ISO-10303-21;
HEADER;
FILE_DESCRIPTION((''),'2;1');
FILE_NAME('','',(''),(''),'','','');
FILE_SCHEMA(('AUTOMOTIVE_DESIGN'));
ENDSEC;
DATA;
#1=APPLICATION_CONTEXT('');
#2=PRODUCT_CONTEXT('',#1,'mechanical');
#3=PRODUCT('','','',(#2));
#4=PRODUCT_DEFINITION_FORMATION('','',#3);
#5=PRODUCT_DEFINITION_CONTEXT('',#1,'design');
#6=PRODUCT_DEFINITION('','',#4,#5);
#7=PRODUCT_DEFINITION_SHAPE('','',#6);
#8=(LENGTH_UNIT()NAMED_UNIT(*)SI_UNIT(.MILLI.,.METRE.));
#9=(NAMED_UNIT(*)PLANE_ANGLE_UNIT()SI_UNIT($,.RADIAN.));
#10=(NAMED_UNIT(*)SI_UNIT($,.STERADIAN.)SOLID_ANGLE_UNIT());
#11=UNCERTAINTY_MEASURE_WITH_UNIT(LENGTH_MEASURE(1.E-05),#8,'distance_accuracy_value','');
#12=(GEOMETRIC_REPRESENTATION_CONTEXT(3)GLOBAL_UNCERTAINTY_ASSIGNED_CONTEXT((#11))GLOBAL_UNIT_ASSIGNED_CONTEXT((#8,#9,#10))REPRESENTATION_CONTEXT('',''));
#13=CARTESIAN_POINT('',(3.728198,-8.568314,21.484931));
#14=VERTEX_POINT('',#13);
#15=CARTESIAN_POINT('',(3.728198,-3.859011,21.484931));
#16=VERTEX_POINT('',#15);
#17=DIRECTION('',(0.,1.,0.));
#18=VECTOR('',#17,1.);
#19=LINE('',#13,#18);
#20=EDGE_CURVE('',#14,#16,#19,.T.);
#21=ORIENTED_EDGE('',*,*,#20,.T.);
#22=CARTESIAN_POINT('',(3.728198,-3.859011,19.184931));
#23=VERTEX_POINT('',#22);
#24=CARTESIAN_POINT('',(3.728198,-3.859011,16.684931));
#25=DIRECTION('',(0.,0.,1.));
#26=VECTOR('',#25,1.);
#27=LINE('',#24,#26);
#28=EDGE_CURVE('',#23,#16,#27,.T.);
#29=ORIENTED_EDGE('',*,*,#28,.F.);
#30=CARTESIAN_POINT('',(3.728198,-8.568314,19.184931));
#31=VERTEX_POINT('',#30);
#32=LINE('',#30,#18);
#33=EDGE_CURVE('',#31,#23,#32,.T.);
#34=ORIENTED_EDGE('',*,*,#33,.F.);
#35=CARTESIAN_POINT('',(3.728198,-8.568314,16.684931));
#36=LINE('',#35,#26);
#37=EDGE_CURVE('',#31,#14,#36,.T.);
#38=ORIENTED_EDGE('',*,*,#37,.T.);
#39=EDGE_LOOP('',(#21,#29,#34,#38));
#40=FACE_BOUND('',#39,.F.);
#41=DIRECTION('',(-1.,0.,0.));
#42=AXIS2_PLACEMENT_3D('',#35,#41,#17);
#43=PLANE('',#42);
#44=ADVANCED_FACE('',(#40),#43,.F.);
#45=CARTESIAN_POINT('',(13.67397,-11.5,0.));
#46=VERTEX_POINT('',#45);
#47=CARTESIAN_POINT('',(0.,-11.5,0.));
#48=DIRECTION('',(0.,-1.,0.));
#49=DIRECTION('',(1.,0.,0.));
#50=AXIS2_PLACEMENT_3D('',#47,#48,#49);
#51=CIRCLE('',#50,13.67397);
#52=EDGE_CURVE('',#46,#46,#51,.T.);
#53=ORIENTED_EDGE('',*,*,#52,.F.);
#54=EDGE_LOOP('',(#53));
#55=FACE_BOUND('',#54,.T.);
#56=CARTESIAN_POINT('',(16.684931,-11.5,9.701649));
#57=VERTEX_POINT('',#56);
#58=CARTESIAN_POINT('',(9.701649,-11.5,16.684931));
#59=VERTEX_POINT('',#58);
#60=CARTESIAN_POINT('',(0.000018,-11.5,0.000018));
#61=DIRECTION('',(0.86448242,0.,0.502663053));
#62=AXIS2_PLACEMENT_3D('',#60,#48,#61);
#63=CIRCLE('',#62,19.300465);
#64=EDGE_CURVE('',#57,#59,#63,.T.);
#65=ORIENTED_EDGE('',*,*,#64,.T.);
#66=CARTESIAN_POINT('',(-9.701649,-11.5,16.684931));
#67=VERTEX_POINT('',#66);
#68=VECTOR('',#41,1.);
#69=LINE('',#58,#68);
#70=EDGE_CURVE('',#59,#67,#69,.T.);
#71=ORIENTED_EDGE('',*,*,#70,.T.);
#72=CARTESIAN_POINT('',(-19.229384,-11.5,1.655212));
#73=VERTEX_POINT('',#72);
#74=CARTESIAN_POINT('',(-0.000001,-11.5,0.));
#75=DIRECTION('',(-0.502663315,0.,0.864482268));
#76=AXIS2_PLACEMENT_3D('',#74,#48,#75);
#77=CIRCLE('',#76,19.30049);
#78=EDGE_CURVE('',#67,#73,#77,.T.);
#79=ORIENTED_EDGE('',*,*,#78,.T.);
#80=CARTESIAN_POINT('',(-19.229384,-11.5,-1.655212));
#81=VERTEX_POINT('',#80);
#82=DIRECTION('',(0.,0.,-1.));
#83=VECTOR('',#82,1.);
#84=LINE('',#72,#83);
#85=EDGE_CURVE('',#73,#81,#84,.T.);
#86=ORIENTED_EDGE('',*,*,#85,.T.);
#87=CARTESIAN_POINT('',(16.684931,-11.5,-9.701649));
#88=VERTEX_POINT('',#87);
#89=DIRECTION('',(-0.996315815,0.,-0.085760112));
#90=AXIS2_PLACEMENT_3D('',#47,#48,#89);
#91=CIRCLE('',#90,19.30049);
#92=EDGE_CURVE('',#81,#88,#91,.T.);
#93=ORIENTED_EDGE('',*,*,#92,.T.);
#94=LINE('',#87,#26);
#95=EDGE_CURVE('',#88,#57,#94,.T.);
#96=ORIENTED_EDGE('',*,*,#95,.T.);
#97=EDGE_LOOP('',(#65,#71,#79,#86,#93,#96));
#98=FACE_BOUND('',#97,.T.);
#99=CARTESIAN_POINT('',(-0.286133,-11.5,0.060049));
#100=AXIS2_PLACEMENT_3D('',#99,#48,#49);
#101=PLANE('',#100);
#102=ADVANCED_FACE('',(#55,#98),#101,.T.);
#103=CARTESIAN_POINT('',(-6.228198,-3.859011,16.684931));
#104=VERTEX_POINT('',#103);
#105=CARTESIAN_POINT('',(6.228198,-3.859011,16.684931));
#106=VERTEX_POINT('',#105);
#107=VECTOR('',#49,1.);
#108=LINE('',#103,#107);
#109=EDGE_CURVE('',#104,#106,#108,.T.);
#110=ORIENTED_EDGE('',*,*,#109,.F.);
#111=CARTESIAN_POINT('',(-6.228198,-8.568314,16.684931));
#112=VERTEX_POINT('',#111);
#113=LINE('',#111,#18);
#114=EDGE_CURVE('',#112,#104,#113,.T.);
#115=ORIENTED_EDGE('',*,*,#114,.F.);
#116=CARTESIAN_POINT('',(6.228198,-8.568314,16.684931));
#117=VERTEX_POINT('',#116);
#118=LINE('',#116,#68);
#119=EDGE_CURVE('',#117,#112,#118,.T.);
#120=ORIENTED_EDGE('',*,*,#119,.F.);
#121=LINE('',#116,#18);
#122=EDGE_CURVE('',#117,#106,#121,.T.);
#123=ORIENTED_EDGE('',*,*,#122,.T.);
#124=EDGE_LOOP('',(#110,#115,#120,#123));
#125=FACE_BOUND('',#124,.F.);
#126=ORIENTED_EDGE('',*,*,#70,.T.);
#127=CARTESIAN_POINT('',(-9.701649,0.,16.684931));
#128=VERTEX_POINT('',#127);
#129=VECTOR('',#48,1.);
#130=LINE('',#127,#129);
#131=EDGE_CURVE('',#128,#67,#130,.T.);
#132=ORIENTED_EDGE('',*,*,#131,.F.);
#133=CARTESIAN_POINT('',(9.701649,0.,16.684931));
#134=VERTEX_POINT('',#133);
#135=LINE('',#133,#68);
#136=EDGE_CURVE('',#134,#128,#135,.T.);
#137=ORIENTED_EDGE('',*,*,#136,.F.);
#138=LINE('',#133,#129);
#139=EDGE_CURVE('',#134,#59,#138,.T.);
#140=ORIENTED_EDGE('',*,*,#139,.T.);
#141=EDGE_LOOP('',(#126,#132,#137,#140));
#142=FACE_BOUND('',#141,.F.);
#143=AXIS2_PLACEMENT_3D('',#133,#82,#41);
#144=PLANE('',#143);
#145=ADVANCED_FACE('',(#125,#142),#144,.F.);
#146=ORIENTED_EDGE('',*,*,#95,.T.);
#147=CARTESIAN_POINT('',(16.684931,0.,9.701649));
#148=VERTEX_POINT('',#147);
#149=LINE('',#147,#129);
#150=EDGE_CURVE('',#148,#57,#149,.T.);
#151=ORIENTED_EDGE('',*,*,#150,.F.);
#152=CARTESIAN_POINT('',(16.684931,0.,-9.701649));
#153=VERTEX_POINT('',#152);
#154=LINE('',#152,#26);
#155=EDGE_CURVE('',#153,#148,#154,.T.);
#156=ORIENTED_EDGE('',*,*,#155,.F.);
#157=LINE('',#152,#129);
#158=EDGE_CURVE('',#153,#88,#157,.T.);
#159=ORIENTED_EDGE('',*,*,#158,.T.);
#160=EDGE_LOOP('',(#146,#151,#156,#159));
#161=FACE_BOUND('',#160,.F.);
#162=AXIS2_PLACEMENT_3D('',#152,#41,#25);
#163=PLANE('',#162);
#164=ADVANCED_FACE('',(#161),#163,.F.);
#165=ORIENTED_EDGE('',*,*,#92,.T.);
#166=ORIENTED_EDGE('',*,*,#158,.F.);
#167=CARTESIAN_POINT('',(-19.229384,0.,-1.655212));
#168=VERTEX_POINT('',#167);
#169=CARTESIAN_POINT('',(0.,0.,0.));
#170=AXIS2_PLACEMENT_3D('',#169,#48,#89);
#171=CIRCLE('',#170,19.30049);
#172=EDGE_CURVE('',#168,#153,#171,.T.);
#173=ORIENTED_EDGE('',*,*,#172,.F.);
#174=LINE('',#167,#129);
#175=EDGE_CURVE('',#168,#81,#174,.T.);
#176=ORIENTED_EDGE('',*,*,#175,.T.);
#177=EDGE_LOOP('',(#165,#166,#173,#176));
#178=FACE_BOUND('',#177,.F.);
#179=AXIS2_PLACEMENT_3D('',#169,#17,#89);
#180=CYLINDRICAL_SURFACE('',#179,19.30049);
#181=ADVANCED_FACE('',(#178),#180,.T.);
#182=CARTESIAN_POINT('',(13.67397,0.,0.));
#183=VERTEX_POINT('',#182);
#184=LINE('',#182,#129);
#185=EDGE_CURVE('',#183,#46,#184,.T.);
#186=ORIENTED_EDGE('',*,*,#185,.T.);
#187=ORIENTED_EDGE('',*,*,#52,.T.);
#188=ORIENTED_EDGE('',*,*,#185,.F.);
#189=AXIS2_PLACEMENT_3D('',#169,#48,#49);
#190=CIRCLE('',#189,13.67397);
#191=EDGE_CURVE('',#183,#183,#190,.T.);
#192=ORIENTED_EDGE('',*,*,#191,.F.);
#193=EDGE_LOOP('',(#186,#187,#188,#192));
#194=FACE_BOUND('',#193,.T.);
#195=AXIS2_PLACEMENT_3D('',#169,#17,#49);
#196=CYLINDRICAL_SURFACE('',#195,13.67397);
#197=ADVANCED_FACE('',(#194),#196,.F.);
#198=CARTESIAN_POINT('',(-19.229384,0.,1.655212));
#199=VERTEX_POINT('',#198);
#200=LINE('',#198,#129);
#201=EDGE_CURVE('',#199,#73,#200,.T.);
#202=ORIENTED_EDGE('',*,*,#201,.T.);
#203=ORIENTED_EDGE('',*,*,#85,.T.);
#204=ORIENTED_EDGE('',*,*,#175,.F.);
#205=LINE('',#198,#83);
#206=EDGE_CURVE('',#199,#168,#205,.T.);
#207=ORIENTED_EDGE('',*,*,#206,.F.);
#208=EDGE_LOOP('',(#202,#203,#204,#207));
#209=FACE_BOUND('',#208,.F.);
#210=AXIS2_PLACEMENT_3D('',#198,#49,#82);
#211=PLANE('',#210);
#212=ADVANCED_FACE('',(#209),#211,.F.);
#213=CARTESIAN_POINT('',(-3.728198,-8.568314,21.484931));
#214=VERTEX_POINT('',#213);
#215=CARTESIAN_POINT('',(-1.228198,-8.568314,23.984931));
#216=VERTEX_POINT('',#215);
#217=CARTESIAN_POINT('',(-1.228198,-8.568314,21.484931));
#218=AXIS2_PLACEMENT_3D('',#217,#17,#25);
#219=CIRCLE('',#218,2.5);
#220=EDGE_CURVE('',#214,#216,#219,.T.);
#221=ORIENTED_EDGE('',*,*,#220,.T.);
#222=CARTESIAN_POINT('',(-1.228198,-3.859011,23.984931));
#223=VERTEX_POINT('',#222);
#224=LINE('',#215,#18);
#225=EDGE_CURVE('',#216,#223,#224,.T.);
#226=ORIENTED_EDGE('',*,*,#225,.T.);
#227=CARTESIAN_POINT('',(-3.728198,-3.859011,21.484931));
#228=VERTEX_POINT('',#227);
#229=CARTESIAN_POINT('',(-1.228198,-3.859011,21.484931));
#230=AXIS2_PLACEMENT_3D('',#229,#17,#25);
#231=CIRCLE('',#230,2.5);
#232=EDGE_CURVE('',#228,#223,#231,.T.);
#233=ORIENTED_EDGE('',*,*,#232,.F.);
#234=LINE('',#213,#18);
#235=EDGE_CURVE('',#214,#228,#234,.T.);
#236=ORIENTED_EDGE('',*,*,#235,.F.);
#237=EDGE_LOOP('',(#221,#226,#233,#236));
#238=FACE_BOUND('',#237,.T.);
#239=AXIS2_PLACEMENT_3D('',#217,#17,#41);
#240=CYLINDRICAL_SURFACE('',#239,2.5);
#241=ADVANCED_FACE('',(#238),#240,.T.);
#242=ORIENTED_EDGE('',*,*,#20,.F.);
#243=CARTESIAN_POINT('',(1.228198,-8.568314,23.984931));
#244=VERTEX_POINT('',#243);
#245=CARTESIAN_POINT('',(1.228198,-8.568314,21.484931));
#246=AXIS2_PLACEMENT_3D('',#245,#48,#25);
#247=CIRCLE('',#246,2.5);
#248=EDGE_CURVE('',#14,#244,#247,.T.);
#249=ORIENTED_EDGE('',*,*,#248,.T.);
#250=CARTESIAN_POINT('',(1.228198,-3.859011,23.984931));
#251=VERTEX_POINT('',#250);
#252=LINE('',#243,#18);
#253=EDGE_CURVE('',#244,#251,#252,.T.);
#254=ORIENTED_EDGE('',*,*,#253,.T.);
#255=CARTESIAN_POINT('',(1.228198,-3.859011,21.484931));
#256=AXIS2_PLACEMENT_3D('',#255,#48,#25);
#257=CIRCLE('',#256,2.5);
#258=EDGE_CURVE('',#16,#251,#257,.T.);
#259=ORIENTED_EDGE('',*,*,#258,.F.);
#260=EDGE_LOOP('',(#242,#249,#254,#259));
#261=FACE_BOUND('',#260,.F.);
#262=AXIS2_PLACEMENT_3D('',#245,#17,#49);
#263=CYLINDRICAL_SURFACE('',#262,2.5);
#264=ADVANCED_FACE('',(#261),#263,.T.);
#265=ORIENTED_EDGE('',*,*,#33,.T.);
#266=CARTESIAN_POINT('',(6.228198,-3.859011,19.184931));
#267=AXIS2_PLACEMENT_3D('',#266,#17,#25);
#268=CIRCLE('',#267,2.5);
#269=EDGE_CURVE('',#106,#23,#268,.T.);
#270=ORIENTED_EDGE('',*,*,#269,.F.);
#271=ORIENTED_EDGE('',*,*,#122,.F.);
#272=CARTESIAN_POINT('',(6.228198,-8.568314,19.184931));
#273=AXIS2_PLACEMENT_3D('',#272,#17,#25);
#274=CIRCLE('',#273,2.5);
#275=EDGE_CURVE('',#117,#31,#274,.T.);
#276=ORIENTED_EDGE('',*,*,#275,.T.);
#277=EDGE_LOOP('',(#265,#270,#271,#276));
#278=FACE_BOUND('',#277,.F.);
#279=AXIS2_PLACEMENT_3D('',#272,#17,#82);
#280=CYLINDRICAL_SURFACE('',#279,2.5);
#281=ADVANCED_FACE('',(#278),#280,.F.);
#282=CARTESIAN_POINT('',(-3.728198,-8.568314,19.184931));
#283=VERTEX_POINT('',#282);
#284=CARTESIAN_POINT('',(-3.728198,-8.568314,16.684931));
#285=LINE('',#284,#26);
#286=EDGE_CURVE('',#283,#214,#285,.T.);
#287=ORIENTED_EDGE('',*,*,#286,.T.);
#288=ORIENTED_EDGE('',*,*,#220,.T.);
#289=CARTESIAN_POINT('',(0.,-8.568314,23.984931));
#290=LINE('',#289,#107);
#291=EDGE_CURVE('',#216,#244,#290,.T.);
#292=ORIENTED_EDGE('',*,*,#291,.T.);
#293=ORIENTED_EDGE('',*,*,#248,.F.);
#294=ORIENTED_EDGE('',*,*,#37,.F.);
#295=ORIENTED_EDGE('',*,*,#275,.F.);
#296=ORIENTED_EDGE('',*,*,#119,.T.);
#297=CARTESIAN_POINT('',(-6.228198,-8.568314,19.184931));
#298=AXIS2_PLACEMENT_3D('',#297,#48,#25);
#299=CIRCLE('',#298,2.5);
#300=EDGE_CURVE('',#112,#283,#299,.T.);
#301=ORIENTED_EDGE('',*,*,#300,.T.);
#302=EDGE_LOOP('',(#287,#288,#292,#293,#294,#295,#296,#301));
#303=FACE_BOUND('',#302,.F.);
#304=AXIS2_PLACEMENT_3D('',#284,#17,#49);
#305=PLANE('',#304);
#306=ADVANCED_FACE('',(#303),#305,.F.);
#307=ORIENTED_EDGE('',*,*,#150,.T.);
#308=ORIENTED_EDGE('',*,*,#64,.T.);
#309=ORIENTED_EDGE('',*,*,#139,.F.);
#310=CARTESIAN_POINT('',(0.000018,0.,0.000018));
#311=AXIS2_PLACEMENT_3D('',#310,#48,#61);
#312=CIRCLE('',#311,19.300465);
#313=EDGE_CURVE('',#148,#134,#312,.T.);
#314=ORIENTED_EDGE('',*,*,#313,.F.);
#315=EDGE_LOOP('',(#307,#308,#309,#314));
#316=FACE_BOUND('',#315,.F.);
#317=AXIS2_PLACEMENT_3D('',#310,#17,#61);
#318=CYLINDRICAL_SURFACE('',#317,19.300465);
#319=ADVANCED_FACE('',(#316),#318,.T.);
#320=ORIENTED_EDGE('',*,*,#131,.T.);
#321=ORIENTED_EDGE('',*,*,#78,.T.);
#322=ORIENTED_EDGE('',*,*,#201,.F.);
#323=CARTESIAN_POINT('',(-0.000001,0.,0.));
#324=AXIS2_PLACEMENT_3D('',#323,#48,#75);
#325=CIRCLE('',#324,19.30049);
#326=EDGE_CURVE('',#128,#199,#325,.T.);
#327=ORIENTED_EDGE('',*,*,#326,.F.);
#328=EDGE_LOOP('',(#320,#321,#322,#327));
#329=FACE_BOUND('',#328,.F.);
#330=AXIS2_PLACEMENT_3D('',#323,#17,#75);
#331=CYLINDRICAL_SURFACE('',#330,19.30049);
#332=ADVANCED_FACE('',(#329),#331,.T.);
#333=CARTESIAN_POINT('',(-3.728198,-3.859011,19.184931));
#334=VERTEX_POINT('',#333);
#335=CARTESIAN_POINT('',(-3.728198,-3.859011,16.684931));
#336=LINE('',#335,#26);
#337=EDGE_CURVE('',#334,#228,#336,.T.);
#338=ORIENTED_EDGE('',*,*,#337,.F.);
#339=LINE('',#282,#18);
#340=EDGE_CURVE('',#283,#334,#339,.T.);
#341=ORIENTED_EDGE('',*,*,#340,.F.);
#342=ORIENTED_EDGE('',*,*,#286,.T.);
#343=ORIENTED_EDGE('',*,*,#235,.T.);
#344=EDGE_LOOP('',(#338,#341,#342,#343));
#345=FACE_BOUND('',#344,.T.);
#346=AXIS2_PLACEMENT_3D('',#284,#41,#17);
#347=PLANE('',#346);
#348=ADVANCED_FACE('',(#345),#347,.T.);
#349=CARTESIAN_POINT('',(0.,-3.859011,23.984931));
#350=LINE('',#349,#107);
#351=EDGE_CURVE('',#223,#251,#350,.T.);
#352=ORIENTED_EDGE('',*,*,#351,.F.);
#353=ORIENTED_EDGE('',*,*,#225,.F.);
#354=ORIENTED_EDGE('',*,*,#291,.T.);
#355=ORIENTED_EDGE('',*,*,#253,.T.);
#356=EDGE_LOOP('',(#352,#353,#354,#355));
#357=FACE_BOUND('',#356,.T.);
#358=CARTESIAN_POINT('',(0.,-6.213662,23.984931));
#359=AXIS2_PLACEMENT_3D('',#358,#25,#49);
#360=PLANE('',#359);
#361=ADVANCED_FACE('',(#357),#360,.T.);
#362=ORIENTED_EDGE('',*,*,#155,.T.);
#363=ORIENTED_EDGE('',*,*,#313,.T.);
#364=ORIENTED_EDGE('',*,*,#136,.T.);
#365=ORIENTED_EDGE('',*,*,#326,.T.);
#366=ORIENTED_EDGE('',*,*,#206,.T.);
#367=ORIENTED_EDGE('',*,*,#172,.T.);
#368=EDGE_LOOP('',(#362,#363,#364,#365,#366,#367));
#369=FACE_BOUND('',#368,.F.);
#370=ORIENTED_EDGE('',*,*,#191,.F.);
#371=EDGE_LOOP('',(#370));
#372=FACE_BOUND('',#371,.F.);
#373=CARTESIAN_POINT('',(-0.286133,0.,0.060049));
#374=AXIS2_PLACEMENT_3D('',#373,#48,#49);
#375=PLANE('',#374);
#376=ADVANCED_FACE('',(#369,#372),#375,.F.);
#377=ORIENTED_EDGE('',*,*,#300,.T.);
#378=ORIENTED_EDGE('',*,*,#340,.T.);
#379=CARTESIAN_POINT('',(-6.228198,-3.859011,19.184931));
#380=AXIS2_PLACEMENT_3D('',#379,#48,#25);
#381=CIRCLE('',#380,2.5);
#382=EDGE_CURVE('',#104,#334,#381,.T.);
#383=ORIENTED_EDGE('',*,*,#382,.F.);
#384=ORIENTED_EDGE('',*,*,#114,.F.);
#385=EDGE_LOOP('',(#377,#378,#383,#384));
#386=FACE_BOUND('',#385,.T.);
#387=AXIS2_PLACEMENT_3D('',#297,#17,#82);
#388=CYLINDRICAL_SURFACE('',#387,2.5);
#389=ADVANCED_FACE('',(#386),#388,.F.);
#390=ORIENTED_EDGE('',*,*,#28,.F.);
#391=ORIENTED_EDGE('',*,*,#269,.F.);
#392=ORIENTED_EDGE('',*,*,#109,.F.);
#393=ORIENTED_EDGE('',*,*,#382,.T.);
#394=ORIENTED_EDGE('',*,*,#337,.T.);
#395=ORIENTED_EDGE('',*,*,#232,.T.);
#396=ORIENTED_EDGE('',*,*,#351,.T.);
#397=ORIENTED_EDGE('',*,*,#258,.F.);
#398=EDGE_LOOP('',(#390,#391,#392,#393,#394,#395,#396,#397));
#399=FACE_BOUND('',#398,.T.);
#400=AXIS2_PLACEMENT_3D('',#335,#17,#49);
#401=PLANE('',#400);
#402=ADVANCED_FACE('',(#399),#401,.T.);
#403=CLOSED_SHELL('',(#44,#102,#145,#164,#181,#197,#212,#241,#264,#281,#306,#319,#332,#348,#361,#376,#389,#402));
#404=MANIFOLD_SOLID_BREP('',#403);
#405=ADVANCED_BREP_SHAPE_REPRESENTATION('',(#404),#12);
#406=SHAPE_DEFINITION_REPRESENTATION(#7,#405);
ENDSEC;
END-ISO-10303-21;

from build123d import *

# Parameters (mm, degrees)
F0_R     = 13.67397
F1_DEPTH = 11.5
F2_W     = 7.456396
F2_H     = 4.709303
F3_DEPTH = 7.3
F4_R     = 2.5


with BuildPart() as f1:
    # F0 (on Front) → F1 (new body)
    with BuildSketch(Plane.XZ):
        with BuildLine():
            Line((-19.229384, 1.655212), (-19.229384, -1.655212))
            ThreePointArc((-19.229384, -1.655212), (-4.219579, -18.833589), (16.684931, -9.701649))
            Line((16.684931, -9.701649), (16.684931, 9.701649))
            ThreePointArc((16.684931, 9.701649), (13.647508, 13.647508), (9.701649, 16.684931))
            Line((9.701649, 16.684931), (-9.701649, 16.684931))
            ThreePointArc((-9.701649, 16.684931), (-16.301052, 10.333665), (-19.229384, 1.655212))
        make_face()
        Circle(F0_R, mode=Mode.SUBTRACT)
    extrude(amount=F1_DEPTH)

    # F2 (on face) → F3 (join)
    with BuildSketch(Plane.XY.offset(16.684931)):
        with Locations((0, -6.213662)):
            Rectangle(F2_W, F2_H)
    extrude(amount=F3_DEPTH)

    # F4
    f4_edges = [f1.edges().sort_by_distance(p)[0] for p in [
        (-3.728198, -6.213663, 23.984931),
        (3.728198, -6.213663, 23.984931),
        (3.728198, -6.213663, 16.684931),
        (-3.728198, -6.213663, 16.684931),
    ]]
    fillet(f4_edges, radius=F4_R)


solid = f1.part
